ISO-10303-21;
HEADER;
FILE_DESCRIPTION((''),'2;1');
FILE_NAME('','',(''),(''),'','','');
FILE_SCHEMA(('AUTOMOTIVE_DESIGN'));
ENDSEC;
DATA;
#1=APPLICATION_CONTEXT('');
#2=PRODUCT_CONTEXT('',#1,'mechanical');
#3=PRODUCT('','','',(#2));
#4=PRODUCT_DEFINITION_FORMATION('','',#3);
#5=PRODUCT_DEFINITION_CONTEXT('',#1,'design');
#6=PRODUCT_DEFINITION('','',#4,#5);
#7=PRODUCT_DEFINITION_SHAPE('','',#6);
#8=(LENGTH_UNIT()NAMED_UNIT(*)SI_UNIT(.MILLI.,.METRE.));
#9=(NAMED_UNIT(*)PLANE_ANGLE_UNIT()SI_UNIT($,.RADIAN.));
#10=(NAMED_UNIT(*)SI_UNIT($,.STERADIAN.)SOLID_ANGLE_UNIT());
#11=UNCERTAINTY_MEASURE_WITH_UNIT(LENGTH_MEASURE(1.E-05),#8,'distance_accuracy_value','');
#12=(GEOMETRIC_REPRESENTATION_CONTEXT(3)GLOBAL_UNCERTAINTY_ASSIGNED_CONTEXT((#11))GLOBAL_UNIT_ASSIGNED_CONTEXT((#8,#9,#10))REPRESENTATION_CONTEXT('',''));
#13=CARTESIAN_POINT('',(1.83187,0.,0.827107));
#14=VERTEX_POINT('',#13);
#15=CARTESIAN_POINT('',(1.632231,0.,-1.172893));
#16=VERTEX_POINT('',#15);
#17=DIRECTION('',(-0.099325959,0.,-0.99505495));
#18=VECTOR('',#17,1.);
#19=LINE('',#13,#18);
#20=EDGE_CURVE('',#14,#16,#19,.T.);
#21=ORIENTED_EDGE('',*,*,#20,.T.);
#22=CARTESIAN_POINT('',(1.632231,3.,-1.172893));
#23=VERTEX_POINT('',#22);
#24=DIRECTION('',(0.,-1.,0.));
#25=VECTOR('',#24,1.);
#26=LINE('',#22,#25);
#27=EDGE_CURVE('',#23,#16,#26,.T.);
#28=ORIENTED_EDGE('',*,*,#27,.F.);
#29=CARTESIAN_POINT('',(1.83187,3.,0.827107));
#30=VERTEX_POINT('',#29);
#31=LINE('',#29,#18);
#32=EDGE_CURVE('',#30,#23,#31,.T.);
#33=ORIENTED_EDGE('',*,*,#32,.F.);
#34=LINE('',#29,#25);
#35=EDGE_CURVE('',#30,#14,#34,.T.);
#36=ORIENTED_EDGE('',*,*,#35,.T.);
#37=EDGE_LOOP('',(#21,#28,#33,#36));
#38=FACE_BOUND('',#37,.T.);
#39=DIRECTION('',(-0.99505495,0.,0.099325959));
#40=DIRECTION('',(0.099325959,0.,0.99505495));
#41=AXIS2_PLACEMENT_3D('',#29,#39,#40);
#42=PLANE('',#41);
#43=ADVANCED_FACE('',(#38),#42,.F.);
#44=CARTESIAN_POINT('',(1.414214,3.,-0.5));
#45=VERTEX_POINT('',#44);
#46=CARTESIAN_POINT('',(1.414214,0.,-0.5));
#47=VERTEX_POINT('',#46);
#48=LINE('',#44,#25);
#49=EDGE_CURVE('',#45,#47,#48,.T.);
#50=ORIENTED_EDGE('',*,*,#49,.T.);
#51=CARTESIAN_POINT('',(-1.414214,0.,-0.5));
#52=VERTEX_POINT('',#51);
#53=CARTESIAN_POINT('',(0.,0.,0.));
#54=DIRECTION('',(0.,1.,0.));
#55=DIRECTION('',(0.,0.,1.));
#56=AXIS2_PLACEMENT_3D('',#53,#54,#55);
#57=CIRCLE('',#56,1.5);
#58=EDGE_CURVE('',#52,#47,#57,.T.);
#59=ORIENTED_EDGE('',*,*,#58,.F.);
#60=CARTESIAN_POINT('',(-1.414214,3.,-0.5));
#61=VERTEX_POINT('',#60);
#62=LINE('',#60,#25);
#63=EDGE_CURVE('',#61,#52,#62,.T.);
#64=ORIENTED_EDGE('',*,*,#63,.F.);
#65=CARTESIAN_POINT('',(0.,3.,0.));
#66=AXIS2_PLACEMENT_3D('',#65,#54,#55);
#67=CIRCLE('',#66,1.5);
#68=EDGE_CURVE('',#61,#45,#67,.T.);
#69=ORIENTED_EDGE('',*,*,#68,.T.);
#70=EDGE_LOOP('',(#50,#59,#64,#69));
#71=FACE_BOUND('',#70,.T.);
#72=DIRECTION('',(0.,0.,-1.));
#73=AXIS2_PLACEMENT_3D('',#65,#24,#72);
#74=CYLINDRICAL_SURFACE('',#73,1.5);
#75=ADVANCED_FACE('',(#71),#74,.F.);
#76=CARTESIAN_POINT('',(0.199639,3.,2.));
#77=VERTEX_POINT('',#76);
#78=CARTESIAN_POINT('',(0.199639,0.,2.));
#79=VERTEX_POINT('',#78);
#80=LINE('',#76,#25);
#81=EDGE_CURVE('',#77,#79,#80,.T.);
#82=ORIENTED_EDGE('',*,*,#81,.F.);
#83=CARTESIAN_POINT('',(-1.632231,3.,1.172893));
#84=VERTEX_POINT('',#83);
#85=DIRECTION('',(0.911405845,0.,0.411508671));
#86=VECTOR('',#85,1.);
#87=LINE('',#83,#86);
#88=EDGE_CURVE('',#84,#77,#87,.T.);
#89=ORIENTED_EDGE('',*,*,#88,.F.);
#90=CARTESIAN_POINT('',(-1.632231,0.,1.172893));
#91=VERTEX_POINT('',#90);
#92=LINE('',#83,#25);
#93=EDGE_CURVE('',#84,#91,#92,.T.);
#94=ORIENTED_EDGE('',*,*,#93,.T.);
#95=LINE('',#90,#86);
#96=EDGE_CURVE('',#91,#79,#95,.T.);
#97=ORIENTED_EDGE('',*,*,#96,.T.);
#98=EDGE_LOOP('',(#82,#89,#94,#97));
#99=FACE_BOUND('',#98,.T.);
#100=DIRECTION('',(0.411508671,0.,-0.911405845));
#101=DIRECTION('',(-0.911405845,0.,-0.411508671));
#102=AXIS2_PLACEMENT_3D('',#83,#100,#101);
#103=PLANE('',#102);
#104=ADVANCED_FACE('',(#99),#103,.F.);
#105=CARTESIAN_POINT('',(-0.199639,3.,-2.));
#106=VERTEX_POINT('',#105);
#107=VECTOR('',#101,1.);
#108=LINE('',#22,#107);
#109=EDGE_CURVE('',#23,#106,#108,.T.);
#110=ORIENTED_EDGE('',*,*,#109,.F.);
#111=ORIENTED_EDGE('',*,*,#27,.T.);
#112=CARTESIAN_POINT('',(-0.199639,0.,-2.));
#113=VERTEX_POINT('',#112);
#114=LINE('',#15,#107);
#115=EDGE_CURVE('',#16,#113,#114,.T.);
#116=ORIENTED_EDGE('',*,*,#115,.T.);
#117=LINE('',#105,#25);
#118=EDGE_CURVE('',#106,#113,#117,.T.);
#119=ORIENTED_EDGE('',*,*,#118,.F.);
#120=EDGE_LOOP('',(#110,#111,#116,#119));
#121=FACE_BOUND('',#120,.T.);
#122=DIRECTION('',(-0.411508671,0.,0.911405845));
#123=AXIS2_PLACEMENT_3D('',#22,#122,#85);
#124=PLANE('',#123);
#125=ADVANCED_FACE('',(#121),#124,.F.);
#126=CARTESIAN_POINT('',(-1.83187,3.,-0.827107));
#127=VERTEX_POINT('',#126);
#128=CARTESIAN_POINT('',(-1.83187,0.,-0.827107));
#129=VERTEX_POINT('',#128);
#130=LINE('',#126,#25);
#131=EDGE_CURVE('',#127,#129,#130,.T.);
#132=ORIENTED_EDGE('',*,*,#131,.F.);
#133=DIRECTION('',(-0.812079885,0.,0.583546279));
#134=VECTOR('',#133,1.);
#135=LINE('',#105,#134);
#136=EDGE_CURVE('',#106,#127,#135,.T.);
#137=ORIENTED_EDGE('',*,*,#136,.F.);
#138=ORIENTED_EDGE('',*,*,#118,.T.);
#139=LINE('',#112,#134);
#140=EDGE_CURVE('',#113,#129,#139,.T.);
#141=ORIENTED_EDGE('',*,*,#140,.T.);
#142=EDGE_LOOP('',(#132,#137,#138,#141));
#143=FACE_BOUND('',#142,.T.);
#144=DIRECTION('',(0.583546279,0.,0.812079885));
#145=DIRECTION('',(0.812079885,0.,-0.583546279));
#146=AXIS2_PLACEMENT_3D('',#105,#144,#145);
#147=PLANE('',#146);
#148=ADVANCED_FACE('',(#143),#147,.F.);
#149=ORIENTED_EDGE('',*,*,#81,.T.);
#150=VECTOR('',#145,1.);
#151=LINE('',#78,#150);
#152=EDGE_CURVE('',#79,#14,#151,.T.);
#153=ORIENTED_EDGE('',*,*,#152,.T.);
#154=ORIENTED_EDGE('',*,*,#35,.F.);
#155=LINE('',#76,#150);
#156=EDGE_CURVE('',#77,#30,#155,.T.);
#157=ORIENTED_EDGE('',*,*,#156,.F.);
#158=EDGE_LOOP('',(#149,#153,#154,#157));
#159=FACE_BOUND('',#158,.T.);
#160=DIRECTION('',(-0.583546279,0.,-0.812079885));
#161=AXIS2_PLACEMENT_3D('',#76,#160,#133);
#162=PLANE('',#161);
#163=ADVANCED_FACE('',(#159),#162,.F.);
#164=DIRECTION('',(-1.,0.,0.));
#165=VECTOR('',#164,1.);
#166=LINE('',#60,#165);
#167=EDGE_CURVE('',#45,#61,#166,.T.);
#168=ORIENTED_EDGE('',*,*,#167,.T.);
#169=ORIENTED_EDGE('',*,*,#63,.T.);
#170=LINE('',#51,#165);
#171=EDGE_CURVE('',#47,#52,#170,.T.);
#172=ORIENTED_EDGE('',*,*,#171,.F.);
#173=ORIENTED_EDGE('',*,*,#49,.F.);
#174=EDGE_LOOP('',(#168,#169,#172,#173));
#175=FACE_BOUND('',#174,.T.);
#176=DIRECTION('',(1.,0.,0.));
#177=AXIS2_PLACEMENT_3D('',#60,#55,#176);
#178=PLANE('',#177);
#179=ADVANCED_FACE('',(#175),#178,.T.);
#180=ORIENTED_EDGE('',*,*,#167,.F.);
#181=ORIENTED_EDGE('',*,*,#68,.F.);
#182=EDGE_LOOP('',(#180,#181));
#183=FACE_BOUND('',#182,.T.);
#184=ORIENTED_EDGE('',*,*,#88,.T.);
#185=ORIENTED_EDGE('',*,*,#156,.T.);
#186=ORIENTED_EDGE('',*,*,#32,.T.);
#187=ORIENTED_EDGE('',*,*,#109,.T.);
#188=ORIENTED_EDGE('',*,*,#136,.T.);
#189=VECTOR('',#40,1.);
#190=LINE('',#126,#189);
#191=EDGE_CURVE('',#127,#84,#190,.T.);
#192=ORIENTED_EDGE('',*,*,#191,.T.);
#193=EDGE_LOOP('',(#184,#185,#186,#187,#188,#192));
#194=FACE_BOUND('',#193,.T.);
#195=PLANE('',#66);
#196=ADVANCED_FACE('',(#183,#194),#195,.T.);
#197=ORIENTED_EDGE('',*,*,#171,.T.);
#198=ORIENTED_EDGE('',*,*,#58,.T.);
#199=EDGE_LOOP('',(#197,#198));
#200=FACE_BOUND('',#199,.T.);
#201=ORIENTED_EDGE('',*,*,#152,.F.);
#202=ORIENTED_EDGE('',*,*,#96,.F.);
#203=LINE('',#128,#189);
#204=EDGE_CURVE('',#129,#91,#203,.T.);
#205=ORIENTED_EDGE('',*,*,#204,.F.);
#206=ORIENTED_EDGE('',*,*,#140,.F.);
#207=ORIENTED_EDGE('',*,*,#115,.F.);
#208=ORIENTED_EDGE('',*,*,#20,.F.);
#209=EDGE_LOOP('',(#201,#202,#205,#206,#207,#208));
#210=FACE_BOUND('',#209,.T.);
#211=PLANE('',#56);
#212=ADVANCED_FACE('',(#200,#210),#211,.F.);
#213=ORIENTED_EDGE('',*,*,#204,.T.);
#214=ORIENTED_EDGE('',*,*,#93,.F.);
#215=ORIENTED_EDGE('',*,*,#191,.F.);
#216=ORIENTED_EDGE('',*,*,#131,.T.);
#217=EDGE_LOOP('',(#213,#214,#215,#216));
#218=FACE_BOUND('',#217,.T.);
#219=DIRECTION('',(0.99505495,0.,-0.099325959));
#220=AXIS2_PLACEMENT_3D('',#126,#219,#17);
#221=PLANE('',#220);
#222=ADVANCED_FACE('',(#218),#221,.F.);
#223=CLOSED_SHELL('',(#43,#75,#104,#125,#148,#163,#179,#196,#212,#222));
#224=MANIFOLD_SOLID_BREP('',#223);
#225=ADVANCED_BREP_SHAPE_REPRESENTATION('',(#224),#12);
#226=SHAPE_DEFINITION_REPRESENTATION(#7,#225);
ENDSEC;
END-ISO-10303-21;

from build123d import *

# Parameters (mm, degrees)
BOSS_EXTRUDE1_DEPTH = 3


with BuildPart() as part:
    # Sketch1 → Boss-Extrude1 (new body)
    with BuildSketch(Plane(origin=(0, 0, 0), x_dir=(1, 0, 0), z_dir=(0, 1, 0))):
        Polygon((1.83187038, -0.827107429), (1.632231235, 1.172892571), (-0.199639144, 2), (-1.83187038, 0.827107429), (-1.632231235, -1.172892571), (0.199639144, -2), align=None)
        with BuildLine():
            Line((-1.414213562, 0.5), (1.414213562, 0.5))
            ThreePointArc((1.414213562, 0.5), (0, -1.5), (-1.414213562, 0.5))
        make_face(mode=Mode.SUBTRACT)
    extrude(amount=BOSS_EXTRUDE1_DEPTH)


solid = part.part
